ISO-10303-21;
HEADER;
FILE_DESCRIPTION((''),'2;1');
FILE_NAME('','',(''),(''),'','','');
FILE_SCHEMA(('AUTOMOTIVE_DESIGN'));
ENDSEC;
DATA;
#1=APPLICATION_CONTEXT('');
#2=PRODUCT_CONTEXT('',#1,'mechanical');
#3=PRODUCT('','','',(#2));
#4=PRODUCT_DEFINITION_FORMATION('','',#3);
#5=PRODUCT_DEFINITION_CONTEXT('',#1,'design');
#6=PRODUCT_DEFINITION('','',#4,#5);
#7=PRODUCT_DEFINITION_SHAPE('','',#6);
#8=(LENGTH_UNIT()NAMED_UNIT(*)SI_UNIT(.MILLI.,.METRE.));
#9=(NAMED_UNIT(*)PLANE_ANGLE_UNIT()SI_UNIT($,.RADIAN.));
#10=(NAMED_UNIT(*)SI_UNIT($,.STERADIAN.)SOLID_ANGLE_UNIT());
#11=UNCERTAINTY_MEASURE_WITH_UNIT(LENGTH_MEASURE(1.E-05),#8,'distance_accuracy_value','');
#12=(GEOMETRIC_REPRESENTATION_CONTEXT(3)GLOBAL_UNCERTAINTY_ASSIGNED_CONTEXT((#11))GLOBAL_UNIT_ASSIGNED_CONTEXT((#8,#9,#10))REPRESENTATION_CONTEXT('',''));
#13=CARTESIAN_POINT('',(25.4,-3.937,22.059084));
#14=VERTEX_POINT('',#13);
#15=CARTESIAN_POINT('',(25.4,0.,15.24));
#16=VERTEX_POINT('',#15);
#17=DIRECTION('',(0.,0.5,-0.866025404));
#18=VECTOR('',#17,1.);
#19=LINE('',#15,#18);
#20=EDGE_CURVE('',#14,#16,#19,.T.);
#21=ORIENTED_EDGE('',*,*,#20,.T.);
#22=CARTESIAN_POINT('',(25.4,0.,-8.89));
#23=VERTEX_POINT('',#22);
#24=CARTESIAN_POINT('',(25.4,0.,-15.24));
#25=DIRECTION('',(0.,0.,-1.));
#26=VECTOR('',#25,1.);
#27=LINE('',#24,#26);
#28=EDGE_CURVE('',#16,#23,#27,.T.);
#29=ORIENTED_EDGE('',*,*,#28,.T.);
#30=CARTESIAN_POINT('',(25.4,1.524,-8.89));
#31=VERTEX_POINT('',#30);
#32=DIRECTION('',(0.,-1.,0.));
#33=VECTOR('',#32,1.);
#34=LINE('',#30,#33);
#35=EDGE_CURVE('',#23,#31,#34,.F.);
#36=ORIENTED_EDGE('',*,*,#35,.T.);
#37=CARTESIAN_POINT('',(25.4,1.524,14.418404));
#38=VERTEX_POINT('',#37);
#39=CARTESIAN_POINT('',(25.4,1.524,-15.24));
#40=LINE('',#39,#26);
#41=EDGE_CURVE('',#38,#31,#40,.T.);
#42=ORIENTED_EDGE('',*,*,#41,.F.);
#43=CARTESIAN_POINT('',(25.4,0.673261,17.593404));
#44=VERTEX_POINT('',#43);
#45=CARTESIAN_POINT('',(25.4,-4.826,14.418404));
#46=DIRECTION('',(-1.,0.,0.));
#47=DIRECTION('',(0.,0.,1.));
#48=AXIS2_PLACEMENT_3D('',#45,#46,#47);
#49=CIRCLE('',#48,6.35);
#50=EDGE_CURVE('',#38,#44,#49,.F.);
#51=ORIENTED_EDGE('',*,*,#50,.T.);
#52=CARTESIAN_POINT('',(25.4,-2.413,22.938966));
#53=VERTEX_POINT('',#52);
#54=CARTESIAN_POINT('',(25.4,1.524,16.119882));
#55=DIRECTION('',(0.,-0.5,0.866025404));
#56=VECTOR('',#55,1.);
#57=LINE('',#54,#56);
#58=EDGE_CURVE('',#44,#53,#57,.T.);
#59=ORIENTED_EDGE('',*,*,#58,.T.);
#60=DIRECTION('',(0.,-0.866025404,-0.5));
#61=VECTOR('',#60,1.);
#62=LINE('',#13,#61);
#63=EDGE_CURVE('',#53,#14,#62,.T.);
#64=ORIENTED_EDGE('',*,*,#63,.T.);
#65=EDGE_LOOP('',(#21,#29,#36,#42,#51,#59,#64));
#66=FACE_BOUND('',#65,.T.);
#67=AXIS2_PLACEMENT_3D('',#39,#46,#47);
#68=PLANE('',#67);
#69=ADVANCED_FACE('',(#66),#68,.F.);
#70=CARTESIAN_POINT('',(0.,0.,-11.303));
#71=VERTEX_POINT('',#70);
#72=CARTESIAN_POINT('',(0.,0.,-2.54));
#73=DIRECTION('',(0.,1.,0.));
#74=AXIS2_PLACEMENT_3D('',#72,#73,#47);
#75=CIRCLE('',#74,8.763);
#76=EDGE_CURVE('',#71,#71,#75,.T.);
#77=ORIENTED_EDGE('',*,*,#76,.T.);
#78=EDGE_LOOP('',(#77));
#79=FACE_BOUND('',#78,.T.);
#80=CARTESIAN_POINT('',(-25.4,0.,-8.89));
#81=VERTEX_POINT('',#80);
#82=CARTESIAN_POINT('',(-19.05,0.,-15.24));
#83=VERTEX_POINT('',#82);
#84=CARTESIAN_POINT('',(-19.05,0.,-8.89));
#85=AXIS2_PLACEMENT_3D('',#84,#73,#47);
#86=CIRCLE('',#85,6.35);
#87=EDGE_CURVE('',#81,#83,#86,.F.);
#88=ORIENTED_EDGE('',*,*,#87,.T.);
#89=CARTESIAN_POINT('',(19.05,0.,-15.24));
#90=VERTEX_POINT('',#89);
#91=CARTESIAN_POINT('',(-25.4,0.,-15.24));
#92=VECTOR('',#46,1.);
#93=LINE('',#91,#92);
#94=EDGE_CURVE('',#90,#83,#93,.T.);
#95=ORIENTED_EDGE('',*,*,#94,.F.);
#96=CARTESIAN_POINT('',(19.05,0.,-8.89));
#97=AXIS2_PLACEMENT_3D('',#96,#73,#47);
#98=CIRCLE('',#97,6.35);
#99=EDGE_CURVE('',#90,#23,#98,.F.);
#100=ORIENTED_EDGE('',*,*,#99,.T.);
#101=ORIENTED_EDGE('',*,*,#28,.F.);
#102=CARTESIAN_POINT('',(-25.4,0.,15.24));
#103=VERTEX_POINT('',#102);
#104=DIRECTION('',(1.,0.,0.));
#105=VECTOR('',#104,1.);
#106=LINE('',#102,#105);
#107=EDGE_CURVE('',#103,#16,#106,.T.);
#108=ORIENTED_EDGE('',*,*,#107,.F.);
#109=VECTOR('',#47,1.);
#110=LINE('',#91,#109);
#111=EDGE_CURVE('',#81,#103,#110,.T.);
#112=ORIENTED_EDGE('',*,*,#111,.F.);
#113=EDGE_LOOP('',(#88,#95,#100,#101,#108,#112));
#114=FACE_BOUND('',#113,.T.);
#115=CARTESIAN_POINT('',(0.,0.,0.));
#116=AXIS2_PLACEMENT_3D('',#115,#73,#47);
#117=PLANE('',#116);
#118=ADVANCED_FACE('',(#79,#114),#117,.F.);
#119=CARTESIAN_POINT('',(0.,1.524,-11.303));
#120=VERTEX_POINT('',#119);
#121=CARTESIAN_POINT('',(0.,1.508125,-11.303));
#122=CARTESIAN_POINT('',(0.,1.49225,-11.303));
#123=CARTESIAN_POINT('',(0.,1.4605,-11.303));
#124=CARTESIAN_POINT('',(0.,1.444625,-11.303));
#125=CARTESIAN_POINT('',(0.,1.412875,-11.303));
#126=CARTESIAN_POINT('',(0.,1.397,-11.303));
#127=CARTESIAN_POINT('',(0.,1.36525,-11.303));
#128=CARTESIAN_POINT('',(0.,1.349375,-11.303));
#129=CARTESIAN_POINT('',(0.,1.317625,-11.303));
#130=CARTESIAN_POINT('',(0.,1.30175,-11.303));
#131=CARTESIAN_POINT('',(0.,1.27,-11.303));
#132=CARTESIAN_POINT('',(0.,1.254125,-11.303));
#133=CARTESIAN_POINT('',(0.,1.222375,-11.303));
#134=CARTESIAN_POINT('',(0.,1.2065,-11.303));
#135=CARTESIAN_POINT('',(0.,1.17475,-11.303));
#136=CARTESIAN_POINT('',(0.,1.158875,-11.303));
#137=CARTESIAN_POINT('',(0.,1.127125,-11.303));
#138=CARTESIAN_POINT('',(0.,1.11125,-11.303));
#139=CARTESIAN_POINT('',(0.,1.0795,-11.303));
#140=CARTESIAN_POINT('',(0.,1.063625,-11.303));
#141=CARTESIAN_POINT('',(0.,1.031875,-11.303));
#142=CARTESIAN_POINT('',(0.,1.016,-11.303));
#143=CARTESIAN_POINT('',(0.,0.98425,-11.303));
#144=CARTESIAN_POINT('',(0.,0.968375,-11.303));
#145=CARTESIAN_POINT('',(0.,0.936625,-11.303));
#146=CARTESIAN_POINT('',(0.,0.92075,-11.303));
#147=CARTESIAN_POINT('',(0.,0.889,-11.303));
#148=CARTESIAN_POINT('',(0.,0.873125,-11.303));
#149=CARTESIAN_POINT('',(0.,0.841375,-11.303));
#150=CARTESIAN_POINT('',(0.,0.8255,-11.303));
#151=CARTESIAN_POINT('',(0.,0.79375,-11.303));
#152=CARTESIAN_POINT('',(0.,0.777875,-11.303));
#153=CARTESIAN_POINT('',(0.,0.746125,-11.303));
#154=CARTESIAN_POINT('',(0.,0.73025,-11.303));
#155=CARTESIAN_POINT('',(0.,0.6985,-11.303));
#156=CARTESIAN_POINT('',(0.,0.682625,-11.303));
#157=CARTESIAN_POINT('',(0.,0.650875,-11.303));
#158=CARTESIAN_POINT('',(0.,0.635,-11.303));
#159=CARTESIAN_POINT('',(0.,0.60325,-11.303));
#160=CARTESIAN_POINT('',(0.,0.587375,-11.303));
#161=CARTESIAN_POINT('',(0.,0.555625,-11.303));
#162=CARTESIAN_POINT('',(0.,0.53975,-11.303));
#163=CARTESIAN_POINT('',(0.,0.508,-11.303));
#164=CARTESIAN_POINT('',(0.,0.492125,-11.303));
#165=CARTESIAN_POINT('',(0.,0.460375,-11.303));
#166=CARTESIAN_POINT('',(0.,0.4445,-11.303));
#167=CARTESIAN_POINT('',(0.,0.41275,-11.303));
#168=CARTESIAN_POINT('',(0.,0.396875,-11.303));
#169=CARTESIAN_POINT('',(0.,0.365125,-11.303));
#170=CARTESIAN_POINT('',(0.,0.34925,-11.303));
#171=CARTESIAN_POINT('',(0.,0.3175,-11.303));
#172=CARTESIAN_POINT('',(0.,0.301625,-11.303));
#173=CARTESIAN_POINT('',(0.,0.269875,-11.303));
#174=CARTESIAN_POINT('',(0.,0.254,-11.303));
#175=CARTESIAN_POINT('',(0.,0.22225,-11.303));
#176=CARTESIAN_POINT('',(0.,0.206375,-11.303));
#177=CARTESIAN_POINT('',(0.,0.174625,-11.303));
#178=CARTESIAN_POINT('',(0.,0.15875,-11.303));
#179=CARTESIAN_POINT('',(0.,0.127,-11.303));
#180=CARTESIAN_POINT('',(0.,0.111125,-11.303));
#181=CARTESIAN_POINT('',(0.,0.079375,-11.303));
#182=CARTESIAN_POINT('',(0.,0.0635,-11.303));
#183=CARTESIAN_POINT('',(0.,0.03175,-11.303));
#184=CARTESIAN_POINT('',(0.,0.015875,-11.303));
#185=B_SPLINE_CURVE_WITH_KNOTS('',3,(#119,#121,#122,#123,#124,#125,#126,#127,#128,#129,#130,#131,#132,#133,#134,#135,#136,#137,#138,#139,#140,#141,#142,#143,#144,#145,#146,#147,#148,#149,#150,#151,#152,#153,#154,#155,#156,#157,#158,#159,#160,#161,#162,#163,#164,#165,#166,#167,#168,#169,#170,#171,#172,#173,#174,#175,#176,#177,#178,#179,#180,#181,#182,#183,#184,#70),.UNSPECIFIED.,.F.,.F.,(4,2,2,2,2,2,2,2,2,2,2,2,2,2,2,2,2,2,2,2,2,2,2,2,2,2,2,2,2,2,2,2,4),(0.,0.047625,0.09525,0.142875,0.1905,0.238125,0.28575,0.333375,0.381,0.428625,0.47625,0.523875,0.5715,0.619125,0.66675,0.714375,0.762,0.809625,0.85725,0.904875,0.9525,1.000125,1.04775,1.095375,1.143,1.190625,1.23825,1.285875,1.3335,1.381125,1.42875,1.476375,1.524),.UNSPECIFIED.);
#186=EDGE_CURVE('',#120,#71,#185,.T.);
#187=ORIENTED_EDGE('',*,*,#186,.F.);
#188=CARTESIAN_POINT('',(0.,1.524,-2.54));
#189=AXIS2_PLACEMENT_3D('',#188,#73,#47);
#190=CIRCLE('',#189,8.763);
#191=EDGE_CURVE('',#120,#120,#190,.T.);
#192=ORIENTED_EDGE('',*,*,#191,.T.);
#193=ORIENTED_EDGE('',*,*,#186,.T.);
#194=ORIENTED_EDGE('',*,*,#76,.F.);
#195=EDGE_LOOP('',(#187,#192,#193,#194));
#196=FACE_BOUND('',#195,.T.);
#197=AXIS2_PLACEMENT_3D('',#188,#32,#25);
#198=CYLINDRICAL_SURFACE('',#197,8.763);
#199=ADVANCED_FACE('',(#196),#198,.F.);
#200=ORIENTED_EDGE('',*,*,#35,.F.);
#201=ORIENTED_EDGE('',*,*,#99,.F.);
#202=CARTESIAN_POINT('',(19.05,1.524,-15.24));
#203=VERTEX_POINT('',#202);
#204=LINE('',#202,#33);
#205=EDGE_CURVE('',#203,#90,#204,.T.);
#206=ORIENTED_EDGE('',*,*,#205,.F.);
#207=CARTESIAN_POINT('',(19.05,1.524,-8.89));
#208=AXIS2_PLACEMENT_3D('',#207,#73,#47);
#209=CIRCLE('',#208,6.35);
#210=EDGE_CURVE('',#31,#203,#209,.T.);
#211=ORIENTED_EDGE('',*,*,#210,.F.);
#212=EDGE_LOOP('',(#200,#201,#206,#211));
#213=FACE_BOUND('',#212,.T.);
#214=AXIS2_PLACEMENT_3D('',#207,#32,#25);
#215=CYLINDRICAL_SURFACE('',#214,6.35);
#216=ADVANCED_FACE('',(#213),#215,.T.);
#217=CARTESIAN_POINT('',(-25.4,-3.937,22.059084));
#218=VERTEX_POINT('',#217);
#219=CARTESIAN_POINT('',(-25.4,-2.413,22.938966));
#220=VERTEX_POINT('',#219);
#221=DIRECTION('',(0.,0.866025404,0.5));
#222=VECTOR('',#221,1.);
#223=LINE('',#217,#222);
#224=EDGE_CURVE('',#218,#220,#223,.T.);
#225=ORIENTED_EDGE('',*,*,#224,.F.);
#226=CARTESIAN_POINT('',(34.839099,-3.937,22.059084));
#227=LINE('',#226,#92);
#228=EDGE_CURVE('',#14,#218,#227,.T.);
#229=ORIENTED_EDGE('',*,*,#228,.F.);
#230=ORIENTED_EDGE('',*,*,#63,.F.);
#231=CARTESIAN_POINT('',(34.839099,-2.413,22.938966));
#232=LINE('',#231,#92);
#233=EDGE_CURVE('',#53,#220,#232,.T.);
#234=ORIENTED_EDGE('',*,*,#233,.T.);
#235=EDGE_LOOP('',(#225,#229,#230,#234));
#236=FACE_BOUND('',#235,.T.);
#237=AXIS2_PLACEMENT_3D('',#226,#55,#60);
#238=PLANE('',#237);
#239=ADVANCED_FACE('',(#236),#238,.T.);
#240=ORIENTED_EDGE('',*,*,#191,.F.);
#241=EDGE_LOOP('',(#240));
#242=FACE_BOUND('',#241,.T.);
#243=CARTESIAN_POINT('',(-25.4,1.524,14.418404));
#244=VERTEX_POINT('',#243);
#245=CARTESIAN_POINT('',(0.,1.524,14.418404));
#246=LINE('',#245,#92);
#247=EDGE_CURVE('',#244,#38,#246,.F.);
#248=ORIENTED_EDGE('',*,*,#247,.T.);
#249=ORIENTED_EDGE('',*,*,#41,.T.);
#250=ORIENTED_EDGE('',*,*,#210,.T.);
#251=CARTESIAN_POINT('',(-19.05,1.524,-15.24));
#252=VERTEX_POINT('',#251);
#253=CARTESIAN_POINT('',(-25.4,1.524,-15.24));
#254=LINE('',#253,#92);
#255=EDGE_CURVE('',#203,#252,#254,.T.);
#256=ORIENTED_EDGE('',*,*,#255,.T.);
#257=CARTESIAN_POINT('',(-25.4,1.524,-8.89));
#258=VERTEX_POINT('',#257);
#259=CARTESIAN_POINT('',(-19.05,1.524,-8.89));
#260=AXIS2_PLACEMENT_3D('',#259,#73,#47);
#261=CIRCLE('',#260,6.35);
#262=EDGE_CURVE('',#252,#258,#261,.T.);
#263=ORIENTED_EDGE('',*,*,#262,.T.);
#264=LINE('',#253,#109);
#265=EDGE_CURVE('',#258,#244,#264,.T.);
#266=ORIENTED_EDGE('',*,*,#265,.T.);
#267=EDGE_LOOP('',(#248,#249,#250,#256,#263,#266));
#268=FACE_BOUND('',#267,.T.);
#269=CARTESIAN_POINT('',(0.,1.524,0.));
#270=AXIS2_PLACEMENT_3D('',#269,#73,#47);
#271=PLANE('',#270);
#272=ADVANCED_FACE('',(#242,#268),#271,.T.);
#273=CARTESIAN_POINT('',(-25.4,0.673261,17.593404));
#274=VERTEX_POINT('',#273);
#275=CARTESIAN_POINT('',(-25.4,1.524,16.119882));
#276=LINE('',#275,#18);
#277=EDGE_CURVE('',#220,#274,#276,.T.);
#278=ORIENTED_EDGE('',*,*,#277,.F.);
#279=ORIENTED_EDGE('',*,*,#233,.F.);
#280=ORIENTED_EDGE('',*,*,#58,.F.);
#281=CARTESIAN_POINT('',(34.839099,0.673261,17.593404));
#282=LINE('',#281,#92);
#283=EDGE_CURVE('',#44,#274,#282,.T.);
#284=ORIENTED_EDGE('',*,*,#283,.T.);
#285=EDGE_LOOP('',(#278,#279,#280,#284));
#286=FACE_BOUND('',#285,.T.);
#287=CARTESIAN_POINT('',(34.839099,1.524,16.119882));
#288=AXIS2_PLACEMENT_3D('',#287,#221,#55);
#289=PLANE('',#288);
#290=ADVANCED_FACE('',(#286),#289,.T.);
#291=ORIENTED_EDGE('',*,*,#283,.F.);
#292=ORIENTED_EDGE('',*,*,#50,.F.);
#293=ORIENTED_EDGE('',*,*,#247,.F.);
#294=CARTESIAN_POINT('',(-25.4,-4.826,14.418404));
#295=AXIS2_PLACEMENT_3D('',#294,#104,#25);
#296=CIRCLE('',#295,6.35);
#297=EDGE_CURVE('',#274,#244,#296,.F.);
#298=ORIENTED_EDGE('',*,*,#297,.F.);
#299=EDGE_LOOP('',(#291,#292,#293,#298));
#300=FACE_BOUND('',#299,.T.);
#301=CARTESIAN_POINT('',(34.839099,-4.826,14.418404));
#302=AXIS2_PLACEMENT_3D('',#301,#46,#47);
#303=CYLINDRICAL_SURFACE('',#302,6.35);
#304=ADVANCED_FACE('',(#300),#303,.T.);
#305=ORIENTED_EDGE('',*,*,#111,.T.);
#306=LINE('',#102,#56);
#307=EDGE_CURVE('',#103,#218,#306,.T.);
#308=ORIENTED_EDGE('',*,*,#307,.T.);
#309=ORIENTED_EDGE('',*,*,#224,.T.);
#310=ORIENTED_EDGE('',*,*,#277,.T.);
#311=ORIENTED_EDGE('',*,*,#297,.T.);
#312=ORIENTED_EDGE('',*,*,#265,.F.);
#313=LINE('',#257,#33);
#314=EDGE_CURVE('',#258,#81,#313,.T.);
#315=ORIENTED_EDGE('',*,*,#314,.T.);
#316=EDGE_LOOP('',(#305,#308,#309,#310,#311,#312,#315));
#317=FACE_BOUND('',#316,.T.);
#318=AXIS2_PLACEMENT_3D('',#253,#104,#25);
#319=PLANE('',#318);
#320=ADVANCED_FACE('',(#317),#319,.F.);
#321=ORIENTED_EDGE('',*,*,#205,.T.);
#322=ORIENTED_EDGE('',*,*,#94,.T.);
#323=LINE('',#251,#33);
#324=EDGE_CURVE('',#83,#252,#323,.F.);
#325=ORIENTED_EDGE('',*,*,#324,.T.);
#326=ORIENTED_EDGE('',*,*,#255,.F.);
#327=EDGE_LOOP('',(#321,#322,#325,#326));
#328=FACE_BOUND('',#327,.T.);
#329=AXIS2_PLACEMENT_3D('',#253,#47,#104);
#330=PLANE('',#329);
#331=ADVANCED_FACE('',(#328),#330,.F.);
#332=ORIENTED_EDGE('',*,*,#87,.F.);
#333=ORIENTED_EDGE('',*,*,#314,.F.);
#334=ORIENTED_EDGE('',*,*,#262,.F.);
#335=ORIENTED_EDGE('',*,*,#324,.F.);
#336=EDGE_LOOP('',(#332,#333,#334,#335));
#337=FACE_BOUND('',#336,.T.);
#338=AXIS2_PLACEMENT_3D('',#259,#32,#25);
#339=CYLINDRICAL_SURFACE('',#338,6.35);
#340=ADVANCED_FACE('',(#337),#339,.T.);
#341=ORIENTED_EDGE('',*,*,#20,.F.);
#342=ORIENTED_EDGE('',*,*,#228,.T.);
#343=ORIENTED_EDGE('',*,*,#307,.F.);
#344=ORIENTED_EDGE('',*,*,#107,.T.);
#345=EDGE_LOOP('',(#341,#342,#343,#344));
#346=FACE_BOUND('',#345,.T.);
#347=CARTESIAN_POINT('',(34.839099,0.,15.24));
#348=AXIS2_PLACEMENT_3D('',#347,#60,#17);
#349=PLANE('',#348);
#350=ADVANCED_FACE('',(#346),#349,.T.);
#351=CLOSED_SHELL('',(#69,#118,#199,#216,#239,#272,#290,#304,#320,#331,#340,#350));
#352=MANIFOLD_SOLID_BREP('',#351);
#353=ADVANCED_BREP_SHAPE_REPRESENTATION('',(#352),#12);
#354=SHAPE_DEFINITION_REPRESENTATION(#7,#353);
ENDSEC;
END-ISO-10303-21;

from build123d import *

# Parameters (mm, degrees)
SKETCH1_W           = 50.8
SKETCH1_H           = 30.48
SKETCH1_R           = 8.763
BOSS_EXTRUDE1_DEPTH = 1.524
BOSS_EXTRUDE2_DEPTH = 50.8
FILLET1_R           = 6.35


with BuildPart() as part:
    # Sketch1 → Boss-Extrude1 (new body)
    with BuildSketch(Plane(origin=(0, 0, 0), x_dir=(1, 0, 0), z_dir=(0, 1, 0))):
        Rectangle(SKETCH1_W, SKETCH1_H)
        with Locations(Location((0, 2.54, 0), (0, 0, 90))):
            Circle(SKETCH1_R, mode=Mode.SUBTRACT)
    extrude(amount=BOSS_EXTRUDE1_DEPTH)

    # Sketch2 → Boss-Extrude2 (add)
    with BuildSketch(Plane.ZY.offset(25.4)):
        Polygon((15.24, 0), (22.059084029, -3.937), (22.93896584, -2.413), (16.11988181, 1.524), (15.24, 1.524), align=None)
    extrude(amount=-BOSS_EXTRUDE2_DEPTH)

    # Fillet1
    fillet1_edges = [part.edges().sort_by_distance(p)[0] for p in [
        (0, 1.524, 16.11988181),
        (-25.4, 0.762, -15.24),
        (25.4, 0.762, -15.24),
    ]]
    fillet(fillet1_edges, radius=FILLET1_R)


solid = part.part
